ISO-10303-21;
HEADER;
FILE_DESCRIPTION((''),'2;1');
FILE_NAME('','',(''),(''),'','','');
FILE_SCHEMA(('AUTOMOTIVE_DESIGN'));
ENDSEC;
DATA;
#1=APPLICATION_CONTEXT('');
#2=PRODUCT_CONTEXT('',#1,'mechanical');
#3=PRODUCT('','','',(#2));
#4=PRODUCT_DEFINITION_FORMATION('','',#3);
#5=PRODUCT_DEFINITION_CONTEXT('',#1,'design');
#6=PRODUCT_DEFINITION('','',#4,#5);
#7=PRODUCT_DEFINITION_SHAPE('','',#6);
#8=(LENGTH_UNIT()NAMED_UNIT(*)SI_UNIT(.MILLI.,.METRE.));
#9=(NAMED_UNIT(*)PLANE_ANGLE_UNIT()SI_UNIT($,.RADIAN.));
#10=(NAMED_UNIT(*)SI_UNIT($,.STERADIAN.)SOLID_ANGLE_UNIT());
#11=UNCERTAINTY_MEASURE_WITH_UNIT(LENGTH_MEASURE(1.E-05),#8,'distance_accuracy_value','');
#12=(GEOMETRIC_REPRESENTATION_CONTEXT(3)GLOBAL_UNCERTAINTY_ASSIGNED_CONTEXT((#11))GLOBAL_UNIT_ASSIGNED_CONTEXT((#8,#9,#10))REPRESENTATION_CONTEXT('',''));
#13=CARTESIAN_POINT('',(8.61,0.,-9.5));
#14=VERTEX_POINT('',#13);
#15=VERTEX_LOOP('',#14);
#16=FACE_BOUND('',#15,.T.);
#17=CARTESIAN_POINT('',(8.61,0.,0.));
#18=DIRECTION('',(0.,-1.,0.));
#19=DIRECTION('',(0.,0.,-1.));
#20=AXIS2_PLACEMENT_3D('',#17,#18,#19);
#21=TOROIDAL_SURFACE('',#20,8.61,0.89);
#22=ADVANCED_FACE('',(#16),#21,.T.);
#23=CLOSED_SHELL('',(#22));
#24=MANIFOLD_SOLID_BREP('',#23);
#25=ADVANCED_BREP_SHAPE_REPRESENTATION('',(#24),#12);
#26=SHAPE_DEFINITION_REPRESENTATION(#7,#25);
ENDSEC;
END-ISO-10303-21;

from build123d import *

# Parameters (mm, degrees)
SKETCH2_R = 0.89


with BuildPart() as part:
    # Sketch2 → Revolve3 (revolve)
    with BuildSketch(Plane.XY, mode=Mode.PRIVATE) as revolve3_sk:
        Circle(SKETCH2_R)
    revolve(revolve3_sk.sketch.rotate(Axis((8.61, 0, 0), (0, 1, 0)), 270), axis=Axis((8.61, 0, 0), (0, 1, 0)))


solid = part.part
